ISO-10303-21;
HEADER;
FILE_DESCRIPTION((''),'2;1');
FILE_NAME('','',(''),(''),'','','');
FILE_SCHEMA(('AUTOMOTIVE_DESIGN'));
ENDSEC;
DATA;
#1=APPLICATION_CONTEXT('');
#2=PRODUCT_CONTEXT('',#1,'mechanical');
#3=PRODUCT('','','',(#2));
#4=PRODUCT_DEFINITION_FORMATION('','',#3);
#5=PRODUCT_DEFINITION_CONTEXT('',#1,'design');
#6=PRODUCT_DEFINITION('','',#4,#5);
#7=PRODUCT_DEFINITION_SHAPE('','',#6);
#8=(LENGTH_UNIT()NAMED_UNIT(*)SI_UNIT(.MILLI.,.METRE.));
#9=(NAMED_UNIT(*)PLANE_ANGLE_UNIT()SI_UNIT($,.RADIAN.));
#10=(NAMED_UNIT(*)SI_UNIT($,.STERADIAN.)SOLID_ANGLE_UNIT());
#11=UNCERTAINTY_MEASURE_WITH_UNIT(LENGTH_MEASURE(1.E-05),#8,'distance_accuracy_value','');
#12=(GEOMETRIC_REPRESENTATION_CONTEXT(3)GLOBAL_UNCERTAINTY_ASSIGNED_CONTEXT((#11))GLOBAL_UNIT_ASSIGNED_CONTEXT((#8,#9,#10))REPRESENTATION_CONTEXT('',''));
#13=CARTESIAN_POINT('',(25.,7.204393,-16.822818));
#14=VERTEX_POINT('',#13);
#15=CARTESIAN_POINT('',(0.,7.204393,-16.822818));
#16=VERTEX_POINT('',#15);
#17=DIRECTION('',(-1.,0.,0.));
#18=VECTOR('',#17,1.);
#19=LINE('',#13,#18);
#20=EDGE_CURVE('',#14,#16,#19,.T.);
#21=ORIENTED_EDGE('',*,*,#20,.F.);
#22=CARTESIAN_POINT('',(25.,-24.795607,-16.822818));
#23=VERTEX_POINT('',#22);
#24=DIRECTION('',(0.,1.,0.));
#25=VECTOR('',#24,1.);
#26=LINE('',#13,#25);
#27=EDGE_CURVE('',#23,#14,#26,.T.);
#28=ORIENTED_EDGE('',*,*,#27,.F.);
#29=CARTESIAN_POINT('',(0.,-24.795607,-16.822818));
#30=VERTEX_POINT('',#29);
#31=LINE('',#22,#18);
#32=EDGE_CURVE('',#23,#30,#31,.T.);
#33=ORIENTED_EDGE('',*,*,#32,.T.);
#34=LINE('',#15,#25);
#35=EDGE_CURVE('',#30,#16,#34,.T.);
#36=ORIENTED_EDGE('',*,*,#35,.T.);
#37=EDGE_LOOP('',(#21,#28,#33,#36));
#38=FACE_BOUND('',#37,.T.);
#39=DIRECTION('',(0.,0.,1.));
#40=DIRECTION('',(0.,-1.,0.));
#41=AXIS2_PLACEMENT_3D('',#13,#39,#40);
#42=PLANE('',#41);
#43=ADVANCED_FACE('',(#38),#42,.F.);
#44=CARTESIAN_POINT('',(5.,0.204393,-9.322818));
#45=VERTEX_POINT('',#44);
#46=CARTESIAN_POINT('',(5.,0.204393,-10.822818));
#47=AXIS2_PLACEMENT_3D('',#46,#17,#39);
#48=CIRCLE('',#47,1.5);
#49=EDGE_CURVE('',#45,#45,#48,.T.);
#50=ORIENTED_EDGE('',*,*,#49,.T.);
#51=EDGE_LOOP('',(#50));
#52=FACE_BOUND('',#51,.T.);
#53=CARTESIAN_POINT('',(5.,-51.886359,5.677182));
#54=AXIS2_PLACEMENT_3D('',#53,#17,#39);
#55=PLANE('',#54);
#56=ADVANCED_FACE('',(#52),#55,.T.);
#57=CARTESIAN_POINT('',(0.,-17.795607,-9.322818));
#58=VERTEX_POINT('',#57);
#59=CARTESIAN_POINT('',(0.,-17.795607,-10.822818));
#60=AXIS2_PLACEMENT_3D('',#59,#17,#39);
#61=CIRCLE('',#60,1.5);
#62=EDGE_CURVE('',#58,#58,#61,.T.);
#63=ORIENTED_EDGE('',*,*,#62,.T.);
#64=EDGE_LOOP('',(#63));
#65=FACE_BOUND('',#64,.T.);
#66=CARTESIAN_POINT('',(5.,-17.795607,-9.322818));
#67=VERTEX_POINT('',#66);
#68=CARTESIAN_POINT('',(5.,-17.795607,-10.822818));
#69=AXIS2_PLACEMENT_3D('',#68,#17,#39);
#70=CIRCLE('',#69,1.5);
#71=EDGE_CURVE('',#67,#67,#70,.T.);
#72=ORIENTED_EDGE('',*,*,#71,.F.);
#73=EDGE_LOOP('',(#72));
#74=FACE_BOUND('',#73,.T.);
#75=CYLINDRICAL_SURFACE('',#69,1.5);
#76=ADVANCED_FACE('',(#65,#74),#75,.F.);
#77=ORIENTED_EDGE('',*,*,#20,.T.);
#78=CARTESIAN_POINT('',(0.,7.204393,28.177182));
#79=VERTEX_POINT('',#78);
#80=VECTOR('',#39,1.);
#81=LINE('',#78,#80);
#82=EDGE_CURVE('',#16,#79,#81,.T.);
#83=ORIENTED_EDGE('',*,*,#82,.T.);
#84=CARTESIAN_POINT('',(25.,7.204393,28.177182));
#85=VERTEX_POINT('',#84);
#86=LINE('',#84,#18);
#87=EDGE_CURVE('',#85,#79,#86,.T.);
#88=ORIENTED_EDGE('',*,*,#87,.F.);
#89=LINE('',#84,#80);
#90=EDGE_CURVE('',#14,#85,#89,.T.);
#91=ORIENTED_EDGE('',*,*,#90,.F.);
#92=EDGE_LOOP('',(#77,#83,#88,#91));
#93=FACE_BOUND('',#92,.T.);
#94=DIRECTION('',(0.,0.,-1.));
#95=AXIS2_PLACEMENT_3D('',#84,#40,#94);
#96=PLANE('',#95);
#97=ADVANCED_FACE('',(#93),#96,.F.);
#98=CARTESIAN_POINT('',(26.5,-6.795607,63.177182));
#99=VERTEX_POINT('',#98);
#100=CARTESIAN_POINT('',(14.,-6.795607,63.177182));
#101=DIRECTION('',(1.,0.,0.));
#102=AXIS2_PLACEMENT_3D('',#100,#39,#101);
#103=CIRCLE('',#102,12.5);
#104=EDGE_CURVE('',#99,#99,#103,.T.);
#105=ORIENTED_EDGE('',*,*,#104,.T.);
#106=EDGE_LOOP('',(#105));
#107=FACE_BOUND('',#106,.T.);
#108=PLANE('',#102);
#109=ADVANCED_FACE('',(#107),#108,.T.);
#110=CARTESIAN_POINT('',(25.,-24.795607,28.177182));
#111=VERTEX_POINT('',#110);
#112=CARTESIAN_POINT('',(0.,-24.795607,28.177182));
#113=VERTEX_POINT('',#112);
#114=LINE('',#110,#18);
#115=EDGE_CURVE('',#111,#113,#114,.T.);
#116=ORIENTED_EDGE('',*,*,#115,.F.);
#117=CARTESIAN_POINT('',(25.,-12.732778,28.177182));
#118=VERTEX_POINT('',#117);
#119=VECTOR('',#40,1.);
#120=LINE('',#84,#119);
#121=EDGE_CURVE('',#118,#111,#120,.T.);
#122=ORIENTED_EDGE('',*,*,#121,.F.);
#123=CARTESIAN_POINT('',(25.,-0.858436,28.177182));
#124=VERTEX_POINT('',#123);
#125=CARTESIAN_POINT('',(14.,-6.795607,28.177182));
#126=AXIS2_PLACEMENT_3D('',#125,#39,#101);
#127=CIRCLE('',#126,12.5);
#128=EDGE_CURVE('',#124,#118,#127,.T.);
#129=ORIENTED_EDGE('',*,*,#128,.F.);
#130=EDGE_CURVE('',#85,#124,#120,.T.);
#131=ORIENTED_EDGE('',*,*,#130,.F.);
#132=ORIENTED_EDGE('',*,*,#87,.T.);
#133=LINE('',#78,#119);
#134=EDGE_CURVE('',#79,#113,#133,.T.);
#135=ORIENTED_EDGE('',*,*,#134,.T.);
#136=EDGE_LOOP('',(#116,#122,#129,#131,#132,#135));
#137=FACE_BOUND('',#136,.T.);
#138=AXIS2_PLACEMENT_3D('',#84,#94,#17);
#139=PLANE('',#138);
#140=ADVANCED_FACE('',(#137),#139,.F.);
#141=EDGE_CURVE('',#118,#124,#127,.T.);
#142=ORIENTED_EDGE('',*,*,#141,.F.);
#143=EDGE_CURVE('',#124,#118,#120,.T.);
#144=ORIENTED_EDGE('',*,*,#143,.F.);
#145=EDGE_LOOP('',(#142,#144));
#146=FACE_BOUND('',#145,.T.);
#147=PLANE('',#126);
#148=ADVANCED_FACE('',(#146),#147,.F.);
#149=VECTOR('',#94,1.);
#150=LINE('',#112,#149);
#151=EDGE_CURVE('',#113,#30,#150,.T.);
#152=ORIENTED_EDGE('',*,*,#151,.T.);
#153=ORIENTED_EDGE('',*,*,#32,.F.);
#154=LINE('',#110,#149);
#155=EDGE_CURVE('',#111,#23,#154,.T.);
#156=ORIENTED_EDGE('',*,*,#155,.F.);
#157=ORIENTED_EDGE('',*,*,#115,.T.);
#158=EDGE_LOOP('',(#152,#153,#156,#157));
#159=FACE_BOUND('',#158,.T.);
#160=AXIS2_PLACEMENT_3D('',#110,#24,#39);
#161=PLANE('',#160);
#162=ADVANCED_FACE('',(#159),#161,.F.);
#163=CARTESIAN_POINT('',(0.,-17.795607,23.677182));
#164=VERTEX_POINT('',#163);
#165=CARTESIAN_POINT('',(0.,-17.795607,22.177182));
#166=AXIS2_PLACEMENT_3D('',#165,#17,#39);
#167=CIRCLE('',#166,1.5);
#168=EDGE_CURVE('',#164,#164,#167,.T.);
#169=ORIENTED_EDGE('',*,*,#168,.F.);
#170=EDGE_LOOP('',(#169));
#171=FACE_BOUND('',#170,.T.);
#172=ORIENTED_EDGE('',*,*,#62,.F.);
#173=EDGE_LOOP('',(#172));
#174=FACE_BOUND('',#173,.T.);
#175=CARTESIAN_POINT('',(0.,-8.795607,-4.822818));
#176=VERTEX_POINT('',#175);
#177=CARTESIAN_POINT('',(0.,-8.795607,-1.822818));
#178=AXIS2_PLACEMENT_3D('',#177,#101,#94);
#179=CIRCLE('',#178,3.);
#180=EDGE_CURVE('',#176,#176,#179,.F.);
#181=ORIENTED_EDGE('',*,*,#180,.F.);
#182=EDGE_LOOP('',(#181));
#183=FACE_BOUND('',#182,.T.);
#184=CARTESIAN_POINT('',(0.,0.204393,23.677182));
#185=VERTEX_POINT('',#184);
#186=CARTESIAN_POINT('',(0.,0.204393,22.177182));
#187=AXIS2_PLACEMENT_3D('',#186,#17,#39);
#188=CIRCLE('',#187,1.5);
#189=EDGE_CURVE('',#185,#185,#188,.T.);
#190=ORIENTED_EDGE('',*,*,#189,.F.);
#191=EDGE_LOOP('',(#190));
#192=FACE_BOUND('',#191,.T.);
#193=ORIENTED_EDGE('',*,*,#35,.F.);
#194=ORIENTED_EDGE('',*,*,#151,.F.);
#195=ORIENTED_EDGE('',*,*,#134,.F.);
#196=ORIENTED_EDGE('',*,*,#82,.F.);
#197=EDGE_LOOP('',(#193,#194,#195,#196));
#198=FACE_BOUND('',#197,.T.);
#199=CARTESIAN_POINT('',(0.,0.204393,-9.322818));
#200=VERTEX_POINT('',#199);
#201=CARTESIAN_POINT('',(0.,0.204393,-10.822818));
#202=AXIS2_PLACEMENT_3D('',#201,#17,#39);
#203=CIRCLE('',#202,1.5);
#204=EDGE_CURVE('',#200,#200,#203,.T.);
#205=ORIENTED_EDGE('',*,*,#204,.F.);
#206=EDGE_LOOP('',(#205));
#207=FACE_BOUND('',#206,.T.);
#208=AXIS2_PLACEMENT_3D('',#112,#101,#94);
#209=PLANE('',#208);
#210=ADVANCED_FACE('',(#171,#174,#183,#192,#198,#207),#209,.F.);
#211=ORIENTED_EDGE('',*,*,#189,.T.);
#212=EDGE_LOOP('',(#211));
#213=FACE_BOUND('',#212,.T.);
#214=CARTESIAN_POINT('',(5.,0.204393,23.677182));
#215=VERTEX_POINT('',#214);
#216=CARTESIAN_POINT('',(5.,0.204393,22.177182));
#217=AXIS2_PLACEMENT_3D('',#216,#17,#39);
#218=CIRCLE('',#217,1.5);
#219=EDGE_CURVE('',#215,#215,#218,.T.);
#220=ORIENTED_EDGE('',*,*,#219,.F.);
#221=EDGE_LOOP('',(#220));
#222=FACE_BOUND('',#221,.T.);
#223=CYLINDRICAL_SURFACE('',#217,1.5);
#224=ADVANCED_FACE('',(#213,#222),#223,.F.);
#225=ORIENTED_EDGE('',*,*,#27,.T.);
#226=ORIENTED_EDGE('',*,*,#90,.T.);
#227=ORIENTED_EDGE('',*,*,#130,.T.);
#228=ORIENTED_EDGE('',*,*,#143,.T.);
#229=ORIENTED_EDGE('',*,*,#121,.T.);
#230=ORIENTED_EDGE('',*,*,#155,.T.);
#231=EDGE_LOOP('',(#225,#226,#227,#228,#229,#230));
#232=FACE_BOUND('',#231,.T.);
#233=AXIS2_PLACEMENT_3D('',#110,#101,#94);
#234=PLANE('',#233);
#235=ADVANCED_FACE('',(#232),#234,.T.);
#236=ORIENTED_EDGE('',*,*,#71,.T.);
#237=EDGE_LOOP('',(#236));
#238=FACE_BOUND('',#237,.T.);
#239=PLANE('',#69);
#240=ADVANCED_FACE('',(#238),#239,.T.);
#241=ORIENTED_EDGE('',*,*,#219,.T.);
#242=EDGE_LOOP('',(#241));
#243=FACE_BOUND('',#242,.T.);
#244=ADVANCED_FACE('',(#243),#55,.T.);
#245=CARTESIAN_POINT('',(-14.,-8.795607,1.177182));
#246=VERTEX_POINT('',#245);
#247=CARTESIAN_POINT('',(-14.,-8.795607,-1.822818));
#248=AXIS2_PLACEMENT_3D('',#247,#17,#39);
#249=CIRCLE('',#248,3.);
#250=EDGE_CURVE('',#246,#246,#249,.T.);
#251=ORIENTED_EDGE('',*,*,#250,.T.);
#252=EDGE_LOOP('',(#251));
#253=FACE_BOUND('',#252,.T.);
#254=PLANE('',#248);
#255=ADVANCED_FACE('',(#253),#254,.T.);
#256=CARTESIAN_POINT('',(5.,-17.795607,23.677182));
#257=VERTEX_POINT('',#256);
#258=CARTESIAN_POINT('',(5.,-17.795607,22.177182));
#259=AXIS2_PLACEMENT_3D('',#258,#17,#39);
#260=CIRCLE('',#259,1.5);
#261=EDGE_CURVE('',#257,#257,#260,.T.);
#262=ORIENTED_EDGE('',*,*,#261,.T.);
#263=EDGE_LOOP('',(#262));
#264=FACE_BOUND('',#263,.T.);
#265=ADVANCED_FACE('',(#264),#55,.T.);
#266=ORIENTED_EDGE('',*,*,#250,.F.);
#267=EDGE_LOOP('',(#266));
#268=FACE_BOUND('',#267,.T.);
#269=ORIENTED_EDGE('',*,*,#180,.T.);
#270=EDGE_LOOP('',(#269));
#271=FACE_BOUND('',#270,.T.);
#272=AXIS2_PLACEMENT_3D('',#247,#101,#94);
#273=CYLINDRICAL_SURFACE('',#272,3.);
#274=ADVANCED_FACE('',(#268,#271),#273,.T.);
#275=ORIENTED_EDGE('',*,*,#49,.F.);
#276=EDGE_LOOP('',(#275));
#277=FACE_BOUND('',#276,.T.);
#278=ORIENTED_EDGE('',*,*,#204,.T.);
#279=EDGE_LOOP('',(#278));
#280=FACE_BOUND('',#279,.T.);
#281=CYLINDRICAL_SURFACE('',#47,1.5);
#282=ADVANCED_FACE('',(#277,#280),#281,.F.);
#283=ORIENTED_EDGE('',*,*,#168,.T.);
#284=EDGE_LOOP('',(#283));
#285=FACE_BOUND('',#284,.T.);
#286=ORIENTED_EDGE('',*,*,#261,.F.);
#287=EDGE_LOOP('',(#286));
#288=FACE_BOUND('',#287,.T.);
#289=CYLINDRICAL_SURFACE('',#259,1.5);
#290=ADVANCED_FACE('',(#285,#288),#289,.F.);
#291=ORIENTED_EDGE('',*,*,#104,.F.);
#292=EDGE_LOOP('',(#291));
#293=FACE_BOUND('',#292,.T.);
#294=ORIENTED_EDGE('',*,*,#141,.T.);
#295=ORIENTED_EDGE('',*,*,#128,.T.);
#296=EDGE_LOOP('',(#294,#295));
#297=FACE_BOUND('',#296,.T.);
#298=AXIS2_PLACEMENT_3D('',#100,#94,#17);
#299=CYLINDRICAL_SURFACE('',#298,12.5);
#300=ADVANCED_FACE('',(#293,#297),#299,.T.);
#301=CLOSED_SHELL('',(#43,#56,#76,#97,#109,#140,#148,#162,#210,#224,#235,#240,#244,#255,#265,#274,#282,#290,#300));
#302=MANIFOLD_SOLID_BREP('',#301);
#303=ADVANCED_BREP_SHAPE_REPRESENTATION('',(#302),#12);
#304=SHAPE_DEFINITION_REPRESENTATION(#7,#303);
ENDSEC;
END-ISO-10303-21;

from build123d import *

# Parameters (mm, degrees)
SKETCH1_W           = 45
SKETCH1_H           = 32
BOSS_EXTRUDE1_DEPTH = 25
SKETCH2_R           = 12.5
BOSS_EXTRUDE2_DEPTH = 35
SKETCH3_R           = 3
BOSS_EXTRUDE3_DEPTH = 14
SKETCH4_R           = 1.5
CUT_EXTRUDE1_DEPTH  = 5


with BuildPart() as part:
    # Sketch1 → Boss-Extrude1 (new body)
    with BuildSketch(Plane(origin=(0, 0, 0), x_dir=(0, 0, -1), z_dir=(1, 0, 0))):
        with Locations((-5.67718197, -8.795606883)):
            Rectangle(SKETCH1_W, SKETCH1_H)
    extrude(amount=BOSS_EXTRUDE1_DEPTH)

    # Sketch2 → Boss-Extrude2 (add)
    with BuildSketch(Plane.XY.offset(28.17718197)):
        with Locations(Location((14, -6.795606883, 0), (0, 0, 331.642363424))):
            Circle(SKETCH2_R)
    extrude(amount=BOSS_EXTRUDE2_DEPTH)

    # Sketch3 → Boss-Extrude3 (add)
    with BuildSketch(Plane.ZY):
        with Locations(Location((-1.82281803, -8.795606883, 0), (0, 0, 180))):
            Circle(SKETCH3_R)
    extrude(amount=BOSS_EXTRUDE3_DEPTH)

    # Sketch4 → Cut-Extrude1 (cut)
    with BuildSketch(Plane.ZY):
        with Locations((-10.82281803, 0.204393117)):
            Circle(SKETCH4_R)
        with Locations((22.17718197, 0.204393117)):
            Circle(SKETCH4_R)
        with Locations((22.17718197, -17.795606883)):
            Circle(SKETCH4_R)
        with Locations((-10.82281803, -17.795606883)):
            Circle(SKETCH4_R)
    extrude(amount=-CUT_EXTRUDE1_DEPTH, mode=Mode.SUBTRACT)


solid = part.part
